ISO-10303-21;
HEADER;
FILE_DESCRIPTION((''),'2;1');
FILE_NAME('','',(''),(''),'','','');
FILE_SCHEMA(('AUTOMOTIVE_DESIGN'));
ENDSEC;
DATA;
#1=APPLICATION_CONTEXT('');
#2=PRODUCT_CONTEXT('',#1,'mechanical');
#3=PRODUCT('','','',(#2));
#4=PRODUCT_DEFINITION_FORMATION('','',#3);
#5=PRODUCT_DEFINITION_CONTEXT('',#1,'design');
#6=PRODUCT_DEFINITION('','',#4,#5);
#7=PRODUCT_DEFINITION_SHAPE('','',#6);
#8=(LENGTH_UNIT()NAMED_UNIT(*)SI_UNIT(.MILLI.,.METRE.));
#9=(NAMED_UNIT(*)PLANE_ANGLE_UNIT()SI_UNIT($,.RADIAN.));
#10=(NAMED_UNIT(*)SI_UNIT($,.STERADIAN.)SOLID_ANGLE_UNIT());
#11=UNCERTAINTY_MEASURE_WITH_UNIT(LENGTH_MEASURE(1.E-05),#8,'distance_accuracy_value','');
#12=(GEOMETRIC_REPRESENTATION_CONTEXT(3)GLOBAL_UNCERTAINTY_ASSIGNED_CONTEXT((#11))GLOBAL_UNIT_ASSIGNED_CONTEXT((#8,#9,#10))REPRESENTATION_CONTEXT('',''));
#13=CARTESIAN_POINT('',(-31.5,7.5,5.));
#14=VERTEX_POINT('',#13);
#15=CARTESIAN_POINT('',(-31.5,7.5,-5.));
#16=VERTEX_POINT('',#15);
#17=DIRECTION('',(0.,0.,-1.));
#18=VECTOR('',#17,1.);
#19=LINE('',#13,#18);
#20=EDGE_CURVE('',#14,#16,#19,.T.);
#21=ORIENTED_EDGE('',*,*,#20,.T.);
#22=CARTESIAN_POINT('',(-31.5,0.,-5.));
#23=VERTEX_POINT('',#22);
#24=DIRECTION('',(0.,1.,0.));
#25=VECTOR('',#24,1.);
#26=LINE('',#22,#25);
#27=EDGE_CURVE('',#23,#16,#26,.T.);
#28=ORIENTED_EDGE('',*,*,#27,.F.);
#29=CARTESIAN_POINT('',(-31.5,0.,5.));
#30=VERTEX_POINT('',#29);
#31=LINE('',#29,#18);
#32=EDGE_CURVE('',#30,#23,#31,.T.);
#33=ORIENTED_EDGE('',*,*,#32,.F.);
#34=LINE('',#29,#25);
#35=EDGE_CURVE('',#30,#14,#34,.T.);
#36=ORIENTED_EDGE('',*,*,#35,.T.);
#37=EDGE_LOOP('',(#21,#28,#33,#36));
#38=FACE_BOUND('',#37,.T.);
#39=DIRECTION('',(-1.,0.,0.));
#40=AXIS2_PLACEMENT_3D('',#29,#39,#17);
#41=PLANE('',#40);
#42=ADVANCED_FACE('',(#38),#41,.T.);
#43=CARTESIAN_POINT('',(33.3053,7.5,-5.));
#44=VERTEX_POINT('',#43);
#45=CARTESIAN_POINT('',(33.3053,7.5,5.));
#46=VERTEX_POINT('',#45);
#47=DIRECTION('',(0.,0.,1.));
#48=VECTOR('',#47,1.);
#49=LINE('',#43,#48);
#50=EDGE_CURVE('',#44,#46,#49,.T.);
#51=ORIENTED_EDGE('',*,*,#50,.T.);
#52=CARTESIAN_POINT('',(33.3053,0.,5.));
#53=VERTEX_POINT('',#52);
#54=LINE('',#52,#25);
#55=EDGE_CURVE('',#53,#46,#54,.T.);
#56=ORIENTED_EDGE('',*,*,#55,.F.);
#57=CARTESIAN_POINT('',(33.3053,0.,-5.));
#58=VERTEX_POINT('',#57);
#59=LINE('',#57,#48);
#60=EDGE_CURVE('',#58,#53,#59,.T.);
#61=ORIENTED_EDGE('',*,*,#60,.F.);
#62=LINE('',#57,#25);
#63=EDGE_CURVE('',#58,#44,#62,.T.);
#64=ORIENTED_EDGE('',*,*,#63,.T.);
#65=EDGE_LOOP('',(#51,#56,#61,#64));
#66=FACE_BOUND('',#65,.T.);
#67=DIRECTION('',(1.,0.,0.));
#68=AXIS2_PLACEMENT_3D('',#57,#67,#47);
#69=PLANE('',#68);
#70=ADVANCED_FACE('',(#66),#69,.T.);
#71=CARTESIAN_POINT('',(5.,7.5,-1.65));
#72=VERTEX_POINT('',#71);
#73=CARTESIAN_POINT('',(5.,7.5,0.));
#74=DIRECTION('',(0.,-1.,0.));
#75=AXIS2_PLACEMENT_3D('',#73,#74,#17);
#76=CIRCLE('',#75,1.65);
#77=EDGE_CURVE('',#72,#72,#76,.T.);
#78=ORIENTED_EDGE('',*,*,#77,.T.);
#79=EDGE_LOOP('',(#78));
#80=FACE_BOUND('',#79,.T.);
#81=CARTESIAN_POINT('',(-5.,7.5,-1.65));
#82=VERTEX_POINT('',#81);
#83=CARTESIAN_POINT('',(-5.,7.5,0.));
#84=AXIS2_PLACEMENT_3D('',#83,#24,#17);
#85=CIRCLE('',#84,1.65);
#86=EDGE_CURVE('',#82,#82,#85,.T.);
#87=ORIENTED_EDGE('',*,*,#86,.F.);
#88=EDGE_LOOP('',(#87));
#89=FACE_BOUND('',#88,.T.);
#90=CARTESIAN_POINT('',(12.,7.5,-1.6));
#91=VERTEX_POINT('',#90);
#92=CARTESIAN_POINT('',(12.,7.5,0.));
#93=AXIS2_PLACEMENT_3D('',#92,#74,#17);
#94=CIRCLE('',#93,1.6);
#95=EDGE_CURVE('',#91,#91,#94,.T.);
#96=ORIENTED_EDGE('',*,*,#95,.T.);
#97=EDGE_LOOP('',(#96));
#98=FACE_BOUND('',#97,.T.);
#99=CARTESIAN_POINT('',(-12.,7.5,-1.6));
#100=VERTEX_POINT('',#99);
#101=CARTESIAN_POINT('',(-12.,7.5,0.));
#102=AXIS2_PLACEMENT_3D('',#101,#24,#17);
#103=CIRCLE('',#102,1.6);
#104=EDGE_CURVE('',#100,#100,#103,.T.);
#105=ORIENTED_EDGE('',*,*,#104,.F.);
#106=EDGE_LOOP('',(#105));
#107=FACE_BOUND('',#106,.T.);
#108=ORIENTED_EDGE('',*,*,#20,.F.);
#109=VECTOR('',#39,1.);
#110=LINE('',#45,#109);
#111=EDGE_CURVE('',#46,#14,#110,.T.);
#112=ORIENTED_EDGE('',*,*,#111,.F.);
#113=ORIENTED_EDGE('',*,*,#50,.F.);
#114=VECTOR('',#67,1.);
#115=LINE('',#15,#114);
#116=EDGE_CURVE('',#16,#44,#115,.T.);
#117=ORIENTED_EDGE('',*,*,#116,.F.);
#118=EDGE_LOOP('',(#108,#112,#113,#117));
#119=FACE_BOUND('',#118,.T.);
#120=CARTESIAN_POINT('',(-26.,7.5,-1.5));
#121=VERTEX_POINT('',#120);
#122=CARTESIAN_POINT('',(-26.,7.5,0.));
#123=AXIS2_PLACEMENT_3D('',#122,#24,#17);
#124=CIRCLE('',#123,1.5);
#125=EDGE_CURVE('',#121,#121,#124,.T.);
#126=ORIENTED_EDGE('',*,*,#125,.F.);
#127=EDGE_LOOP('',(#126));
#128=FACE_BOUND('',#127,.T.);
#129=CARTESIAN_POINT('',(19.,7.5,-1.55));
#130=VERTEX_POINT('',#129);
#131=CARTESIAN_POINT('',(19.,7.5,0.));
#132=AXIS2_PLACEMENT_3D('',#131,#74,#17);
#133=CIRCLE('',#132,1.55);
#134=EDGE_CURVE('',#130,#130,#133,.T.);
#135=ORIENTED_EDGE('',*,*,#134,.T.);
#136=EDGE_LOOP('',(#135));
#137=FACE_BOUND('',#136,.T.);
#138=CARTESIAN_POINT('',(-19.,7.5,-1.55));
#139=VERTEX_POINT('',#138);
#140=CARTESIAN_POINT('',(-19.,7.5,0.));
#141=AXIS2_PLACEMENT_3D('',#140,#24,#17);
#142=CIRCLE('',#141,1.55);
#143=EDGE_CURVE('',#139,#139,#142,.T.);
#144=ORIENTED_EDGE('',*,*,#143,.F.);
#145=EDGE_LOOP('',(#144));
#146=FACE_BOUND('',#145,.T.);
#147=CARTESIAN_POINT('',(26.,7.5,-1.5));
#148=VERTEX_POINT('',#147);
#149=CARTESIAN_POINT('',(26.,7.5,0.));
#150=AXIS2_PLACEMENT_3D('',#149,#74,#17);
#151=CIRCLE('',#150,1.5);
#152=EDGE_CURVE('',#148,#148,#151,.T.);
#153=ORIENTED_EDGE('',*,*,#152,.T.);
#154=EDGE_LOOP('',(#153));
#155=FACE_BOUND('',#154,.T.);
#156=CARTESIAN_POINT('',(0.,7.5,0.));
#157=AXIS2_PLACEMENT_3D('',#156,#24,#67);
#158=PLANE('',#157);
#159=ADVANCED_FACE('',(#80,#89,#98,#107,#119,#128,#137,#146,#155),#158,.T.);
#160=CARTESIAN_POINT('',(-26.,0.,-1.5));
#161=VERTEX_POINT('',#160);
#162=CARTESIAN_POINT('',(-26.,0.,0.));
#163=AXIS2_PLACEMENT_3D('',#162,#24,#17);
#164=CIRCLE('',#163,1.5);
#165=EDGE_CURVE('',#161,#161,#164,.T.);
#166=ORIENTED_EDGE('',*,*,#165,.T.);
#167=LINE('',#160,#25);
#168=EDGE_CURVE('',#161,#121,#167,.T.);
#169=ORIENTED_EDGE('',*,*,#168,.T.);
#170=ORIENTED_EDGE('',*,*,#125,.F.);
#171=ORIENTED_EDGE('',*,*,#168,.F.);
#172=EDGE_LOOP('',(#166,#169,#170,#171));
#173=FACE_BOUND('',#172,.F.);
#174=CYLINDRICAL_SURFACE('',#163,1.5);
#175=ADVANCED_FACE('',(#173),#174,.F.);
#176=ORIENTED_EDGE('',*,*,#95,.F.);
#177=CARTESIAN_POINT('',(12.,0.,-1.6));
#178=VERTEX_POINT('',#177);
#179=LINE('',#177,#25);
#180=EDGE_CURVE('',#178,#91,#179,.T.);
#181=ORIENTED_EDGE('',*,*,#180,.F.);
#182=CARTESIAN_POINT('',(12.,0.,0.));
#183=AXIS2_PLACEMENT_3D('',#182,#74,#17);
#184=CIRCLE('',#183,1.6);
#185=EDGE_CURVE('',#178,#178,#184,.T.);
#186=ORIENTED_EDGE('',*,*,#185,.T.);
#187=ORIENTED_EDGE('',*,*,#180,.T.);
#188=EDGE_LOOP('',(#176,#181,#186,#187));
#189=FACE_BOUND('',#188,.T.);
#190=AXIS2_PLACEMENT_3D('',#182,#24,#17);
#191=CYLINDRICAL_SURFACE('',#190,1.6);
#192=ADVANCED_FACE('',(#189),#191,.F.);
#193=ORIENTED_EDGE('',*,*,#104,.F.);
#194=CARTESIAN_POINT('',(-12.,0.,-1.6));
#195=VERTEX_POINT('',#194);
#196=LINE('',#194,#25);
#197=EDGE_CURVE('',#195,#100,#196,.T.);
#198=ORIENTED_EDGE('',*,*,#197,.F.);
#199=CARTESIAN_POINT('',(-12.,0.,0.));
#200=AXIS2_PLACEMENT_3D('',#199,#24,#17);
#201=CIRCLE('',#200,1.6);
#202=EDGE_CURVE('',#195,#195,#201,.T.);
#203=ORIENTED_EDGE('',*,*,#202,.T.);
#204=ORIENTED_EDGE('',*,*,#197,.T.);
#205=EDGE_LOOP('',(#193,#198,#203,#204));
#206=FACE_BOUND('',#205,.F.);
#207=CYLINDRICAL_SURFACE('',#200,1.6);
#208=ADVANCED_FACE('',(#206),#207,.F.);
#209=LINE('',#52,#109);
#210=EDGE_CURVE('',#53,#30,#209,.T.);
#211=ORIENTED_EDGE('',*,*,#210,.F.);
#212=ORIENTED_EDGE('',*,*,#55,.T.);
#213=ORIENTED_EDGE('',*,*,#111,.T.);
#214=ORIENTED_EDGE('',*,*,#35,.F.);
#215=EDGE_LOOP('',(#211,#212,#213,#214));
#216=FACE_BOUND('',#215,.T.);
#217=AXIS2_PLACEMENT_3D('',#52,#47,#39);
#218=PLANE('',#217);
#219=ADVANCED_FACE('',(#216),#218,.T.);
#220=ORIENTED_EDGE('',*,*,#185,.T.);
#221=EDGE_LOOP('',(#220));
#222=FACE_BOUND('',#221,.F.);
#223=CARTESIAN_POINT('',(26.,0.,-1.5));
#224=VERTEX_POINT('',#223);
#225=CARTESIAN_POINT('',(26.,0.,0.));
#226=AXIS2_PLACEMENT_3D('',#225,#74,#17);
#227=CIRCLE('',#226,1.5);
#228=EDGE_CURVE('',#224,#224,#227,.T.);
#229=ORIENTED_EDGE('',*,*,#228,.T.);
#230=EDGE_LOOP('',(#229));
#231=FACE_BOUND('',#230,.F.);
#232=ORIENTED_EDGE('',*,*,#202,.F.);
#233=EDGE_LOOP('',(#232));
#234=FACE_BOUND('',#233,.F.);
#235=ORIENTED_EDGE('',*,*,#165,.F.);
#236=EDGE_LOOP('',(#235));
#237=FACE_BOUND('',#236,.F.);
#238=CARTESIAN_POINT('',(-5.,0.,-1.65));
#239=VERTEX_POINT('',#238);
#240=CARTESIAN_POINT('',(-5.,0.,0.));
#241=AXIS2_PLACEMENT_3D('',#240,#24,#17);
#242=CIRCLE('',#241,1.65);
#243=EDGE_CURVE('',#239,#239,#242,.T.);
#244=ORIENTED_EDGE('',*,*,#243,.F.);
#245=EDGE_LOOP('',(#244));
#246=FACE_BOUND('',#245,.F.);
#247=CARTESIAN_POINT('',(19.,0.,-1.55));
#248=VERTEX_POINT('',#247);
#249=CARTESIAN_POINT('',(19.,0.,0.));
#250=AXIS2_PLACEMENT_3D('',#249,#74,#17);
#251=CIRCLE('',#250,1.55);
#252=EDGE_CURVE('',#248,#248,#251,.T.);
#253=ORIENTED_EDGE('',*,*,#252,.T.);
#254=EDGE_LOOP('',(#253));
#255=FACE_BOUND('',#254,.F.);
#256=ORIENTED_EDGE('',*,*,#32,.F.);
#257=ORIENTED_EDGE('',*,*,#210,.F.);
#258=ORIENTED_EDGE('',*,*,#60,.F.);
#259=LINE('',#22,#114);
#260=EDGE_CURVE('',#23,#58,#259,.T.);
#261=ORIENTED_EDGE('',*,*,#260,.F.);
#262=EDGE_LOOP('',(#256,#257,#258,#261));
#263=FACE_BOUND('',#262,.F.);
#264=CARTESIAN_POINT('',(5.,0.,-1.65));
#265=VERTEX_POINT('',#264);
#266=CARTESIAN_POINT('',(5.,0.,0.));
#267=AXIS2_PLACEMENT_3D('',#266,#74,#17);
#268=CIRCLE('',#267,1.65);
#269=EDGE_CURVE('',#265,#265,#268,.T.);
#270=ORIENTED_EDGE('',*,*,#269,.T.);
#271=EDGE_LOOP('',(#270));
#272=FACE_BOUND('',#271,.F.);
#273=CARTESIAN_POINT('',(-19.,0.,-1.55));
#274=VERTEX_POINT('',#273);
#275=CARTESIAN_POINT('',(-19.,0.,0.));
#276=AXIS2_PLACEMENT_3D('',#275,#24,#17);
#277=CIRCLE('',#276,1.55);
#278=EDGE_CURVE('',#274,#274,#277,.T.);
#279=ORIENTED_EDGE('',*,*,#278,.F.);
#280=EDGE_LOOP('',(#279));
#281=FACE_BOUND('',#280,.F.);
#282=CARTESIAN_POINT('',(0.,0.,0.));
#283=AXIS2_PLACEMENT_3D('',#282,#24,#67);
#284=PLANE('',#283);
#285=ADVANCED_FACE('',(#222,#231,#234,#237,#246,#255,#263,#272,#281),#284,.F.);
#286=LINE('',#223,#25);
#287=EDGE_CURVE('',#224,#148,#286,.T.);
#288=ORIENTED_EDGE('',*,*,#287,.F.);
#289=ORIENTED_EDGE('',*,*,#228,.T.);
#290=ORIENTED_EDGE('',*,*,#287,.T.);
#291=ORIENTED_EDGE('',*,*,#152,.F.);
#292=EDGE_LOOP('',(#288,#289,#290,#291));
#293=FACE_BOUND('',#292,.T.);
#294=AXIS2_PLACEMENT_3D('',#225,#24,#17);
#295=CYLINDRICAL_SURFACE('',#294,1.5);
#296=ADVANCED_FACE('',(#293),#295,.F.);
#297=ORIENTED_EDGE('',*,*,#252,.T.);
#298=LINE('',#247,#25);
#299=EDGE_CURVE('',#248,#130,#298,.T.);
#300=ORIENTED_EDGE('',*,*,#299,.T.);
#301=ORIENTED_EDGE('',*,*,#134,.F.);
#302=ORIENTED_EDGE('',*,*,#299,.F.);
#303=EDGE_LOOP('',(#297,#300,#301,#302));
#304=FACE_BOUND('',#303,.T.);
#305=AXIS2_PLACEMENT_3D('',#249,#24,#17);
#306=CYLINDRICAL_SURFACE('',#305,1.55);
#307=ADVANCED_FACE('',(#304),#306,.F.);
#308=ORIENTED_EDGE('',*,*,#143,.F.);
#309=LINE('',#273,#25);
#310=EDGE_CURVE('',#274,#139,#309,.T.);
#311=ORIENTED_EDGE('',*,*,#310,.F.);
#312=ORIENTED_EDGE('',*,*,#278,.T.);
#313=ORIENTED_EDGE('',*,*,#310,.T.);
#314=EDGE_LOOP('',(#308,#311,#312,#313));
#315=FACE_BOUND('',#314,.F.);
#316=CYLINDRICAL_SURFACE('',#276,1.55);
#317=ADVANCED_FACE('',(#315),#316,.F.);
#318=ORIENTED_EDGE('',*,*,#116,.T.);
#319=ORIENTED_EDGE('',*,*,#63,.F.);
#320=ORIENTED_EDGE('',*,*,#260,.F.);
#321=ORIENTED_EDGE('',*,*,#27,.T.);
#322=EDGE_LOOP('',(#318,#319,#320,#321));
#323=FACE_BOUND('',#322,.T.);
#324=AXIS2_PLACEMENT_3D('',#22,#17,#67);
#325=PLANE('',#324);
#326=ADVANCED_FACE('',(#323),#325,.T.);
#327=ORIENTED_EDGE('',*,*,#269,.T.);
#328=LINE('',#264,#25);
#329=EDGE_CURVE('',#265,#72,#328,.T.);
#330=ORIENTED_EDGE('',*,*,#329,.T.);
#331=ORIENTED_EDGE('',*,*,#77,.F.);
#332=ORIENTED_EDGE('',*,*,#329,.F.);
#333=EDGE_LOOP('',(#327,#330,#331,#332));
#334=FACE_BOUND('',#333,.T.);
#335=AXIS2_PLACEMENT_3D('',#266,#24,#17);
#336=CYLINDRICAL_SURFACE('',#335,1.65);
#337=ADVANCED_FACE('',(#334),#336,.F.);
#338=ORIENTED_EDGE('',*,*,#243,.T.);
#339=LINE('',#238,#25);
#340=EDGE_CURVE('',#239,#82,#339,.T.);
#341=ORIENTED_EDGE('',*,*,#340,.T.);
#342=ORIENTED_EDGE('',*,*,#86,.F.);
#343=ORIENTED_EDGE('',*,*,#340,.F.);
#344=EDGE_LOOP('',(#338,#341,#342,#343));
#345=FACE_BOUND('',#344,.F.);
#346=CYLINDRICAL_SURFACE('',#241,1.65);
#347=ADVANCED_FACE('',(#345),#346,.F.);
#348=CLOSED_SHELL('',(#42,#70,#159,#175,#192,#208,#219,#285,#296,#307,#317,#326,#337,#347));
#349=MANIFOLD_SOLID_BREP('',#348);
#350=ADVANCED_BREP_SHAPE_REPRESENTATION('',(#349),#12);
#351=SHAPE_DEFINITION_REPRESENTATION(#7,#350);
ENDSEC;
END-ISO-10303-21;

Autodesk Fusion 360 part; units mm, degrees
sketch "Sketch1" plane through (0, 0, 0) normal (0, 1, 0) x (1, 0, 0)
  line L0 (-31.5, 5) -> (33.3053, 5)
  line L1 (33.3053, 5) -> (33.3053, -5)
  line L2 (33.3053, -5) -> (-31.5, -5)
  line L3 (-31.5, -5) -> (-31.5, 5)
  line L4 (-31.5, 0) -> (-36.5072, 0) construction
  line L5 (1.75, 0) -> (22.5, 0) construction
  point P0 (-26, 0)
  point P1 (-19, 0)
  point P2 (-12, 0)
  point P3 (-5, 0)
  point P4 (-31.5, 0)
  dimension "d6" = 7
  dimension "d7" = 0
  dimension "d21" = 5
  dimension "d22" = 5.5
  dimension "d23" = 10
extrude "Extrude1" add sketch "Sketch1" along normal blind 7.5
hole "Hole1" at (-26, 0, 0) direction (0, 1, 0) diameter 3 end up to surface (7.5 mm away)
hole "Hole2" at (-19, 0, 0) direction (0, 1, 0) diameter 3.1 end up to surface (7.5 mm away)
hole "Hole3" at (-12, 0, 0) direction (0, 1, 0) diameter 3.2 end up to surface (7.5 mm away)
hole "Hole4" at (-5, 0, 0) direction (0, 1, 0) diameter 3.3 end up to surface (7.5 mm away)
mirror "Mirror1" about plane through (0, 0, 0) normal (1, 0, 0) of "Hole4", "Hole3", "Hole2", "Hole1"
